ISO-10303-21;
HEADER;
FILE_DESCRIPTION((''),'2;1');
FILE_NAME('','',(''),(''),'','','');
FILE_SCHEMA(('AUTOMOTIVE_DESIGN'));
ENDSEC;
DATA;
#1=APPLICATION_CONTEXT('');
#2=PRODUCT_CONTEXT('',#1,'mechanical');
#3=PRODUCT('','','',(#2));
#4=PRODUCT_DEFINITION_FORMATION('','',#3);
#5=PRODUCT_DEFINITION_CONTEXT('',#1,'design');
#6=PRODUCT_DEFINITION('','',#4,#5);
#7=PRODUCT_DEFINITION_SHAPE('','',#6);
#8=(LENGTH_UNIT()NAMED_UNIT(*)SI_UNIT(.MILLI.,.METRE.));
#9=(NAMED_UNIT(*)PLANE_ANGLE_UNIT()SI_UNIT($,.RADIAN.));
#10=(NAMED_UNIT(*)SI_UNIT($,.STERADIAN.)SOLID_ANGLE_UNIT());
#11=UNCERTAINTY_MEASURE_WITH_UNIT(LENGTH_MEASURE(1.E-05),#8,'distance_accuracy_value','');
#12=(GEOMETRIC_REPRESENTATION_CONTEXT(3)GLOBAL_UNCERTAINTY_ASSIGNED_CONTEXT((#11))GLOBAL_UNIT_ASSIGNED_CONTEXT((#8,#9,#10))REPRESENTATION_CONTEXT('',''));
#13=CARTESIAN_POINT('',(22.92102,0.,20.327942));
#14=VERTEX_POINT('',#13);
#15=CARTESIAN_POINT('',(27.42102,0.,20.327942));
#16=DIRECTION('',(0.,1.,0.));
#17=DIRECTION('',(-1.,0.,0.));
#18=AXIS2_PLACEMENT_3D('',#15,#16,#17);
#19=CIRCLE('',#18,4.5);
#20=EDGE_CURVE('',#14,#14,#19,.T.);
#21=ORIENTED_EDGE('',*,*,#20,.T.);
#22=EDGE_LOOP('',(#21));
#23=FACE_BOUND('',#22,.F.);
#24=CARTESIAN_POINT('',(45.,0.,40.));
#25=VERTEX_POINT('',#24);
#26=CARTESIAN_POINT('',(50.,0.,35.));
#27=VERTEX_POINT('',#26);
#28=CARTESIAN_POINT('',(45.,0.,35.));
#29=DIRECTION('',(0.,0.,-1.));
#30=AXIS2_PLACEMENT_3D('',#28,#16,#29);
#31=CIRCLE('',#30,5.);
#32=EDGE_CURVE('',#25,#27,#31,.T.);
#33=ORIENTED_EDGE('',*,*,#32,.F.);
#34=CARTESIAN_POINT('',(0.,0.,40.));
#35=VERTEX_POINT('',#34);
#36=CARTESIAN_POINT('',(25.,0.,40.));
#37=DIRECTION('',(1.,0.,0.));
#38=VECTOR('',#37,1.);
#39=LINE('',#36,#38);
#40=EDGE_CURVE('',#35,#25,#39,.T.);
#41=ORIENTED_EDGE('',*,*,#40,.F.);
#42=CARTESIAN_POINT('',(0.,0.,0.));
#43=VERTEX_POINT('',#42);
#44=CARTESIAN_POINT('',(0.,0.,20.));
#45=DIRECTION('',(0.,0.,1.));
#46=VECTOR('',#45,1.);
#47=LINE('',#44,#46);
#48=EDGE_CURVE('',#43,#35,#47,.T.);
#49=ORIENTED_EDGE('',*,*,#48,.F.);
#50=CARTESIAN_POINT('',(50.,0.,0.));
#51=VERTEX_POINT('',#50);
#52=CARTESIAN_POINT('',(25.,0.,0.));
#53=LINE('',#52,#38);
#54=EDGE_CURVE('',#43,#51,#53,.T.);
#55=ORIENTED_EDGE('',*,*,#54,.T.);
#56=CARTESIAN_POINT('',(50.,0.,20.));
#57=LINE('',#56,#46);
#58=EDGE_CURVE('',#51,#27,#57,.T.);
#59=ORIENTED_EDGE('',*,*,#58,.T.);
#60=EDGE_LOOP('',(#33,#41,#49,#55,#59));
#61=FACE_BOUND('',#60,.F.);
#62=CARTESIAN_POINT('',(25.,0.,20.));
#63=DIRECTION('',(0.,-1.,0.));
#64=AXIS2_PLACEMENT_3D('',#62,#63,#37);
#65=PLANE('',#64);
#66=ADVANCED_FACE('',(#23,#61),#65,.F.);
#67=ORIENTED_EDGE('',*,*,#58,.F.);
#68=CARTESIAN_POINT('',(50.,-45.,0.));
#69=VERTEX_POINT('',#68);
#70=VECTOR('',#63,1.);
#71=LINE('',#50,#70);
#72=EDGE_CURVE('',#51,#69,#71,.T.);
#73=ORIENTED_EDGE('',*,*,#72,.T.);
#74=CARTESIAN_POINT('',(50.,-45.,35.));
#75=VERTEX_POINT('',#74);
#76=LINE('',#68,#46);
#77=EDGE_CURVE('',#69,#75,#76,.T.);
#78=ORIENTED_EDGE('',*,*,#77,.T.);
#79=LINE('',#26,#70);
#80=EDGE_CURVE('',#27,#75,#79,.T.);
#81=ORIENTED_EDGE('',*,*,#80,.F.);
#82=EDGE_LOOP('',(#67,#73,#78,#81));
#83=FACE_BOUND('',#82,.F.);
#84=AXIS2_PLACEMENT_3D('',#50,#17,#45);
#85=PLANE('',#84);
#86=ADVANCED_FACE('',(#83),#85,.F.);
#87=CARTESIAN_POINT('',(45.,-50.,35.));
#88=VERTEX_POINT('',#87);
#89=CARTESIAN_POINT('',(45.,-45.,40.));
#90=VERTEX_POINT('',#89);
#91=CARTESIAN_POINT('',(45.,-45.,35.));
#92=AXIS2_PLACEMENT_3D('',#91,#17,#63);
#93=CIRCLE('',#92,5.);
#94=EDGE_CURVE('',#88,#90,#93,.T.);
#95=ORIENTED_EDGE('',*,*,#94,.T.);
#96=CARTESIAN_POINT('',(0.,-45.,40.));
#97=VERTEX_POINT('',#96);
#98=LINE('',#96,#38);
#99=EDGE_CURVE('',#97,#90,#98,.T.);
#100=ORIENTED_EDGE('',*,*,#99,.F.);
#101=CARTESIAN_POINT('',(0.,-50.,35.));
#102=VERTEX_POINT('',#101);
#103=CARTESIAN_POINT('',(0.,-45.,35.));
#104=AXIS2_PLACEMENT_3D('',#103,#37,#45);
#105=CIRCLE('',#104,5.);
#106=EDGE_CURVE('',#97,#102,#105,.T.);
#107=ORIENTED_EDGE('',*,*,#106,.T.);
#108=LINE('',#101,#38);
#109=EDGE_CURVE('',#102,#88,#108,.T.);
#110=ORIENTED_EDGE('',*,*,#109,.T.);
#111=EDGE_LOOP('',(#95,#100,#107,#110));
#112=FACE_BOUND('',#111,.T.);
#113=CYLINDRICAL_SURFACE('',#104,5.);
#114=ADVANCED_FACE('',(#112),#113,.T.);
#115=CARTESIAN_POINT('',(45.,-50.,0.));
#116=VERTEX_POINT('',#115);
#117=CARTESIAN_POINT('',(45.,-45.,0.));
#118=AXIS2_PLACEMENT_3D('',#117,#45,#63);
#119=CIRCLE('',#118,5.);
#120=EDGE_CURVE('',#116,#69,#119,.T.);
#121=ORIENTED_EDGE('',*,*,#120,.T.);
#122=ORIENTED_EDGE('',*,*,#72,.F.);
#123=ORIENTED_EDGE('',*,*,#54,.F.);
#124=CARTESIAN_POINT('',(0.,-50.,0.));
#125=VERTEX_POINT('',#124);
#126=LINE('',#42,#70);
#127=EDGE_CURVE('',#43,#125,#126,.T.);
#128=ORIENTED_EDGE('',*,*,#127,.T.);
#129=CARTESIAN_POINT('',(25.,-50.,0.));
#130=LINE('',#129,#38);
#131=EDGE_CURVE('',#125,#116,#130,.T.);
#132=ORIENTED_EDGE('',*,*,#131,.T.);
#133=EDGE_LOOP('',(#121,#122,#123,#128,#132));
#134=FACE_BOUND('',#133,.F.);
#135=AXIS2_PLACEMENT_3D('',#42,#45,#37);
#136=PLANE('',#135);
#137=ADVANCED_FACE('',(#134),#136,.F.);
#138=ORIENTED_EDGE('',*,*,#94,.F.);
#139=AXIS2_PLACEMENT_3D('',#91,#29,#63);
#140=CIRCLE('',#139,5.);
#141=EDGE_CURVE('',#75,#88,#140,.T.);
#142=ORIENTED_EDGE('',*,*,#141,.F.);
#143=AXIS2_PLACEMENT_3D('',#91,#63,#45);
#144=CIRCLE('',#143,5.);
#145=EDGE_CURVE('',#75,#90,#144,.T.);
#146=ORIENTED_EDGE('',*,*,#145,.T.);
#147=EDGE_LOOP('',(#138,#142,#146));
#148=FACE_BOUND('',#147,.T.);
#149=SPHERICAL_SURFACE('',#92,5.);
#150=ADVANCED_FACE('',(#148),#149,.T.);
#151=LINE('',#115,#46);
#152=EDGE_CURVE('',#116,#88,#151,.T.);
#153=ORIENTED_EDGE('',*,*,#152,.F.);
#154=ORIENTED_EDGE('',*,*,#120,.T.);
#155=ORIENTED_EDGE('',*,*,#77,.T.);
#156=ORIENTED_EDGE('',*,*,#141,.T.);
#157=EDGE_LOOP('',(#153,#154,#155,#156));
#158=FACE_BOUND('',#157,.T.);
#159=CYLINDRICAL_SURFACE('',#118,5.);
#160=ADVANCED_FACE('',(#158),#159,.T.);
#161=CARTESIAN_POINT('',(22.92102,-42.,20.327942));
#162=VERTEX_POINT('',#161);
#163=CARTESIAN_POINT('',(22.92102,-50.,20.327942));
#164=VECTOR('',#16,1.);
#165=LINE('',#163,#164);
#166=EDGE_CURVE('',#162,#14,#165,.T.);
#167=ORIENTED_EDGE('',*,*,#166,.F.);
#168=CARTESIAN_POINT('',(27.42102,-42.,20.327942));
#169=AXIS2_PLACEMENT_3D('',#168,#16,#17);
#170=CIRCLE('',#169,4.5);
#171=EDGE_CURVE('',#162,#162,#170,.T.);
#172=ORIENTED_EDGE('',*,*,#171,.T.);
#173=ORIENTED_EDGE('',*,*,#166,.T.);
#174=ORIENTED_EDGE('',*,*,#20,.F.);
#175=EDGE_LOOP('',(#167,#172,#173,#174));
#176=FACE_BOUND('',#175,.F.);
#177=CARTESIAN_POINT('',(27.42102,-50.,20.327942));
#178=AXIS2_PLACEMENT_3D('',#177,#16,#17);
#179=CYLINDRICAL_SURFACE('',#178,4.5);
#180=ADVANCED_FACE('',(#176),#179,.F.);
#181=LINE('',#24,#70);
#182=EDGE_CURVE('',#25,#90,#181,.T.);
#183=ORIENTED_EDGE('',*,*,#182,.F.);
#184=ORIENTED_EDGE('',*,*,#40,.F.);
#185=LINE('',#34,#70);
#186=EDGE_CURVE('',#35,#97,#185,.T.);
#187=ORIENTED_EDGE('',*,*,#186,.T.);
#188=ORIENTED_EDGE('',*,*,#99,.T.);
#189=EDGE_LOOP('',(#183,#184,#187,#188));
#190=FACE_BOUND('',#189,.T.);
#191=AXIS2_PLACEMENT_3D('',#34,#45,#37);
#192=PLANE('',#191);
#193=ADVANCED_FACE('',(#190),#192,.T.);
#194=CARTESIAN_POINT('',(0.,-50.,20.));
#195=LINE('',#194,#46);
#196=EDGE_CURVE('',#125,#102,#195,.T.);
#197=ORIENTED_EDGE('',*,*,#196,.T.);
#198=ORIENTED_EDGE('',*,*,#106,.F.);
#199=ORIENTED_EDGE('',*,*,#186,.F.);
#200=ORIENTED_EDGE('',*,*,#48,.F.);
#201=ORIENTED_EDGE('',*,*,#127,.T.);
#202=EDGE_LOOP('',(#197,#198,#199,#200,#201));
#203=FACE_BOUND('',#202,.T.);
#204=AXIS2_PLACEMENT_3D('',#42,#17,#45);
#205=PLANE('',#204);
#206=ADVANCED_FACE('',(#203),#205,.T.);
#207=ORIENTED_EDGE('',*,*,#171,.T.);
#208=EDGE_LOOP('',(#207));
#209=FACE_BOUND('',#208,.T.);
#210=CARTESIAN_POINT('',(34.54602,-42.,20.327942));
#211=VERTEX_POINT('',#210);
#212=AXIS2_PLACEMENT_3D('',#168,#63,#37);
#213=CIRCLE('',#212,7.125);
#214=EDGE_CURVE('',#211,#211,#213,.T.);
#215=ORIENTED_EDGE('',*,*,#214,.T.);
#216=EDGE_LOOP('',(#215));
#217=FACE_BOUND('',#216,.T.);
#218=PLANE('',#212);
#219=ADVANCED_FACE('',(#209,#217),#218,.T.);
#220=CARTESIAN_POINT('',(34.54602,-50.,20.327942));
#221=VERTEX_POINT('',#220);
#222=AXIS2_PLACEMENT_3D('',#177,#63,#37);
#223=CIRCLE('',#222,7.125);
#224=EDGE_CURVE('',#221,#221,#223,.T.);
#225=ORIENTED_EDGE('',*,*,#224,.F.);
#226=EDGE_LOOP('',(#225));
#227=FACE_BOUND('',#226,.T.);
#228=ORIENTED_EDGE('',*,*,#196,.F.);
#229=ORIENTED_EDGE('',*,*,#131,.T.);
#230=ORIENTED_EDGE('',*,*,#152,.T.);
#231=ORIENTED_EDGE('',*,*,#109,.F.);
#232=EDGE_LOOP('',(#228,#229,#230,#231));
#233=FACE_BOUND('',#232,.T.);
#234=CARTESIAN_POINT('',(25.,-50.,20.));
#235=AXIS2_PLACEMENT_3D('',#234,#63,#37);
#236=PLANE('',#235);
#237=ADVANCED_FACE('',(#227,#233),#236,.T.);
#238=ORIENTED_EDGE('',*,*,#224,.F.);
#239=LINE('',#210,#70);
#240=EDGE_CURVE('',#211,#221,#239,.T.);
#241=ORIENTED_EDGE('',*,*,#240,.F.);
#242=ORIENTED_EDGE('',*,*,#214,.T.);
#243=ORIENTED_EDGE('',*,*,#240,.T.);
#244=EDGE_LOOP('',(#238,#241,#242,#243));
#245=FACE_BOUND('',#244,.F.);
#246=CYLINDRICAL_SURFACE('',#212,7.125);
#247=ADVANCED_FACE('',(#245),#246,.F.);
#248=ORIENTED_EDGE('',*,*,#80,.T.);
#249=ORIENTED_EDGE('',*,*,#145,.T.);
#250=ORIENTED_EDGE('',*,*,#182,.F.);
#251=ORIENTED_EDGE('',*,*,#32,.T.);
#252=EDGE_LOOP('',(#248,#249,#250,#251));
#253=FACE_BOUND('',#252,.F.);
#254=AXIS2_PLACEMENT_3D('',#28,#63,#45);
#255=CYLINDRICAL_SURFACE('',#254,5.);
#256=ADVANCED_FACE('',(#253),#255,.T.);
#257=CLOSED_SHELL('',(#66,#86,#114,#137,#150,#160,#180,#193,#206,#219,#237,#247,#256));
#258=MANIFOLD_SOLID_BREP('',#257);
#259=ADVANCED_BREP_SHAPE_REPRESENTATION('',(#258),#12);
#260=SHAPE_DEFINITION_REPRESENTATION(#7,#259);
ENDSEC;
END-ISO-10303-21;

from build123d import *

# Parameters (mm, degrees)
F0_W           = 50
F0_H           = 40
F1_DEPTH       = 50
F3_D           = 9
F3_CBORE_D     = 14.25
F3_CBORE_DEPTH = 8
F4_R           = 5


with BuildPart() as f1:
    # F0 (on Front) → F1 (new body)
    with BuildSketch(Plane.XZ):
        with Locations((25, 20)):
            Rectangle(F0_W, F0_H)
    extrude(amount=F1_DEPTH)

    # F3 (through all)
    with Locations(Plane.XZ.offset(50)):
        with Locations((27.4210199714, 20.3279424459)):
            CounterBoreHole(F3_D / 2, F3_CBORE_D / 2, F3_CBORE_DEPTH)

    # F4
    f4_edges = [f1.edges().sort_by_distance(p)[0] for p in [
        (25, -50, 40),
        (50, -50, 20),
        (50, -25, 40),
    ]]
    fillet(f4_edges, radius=F4_R)


solid = f1.part
